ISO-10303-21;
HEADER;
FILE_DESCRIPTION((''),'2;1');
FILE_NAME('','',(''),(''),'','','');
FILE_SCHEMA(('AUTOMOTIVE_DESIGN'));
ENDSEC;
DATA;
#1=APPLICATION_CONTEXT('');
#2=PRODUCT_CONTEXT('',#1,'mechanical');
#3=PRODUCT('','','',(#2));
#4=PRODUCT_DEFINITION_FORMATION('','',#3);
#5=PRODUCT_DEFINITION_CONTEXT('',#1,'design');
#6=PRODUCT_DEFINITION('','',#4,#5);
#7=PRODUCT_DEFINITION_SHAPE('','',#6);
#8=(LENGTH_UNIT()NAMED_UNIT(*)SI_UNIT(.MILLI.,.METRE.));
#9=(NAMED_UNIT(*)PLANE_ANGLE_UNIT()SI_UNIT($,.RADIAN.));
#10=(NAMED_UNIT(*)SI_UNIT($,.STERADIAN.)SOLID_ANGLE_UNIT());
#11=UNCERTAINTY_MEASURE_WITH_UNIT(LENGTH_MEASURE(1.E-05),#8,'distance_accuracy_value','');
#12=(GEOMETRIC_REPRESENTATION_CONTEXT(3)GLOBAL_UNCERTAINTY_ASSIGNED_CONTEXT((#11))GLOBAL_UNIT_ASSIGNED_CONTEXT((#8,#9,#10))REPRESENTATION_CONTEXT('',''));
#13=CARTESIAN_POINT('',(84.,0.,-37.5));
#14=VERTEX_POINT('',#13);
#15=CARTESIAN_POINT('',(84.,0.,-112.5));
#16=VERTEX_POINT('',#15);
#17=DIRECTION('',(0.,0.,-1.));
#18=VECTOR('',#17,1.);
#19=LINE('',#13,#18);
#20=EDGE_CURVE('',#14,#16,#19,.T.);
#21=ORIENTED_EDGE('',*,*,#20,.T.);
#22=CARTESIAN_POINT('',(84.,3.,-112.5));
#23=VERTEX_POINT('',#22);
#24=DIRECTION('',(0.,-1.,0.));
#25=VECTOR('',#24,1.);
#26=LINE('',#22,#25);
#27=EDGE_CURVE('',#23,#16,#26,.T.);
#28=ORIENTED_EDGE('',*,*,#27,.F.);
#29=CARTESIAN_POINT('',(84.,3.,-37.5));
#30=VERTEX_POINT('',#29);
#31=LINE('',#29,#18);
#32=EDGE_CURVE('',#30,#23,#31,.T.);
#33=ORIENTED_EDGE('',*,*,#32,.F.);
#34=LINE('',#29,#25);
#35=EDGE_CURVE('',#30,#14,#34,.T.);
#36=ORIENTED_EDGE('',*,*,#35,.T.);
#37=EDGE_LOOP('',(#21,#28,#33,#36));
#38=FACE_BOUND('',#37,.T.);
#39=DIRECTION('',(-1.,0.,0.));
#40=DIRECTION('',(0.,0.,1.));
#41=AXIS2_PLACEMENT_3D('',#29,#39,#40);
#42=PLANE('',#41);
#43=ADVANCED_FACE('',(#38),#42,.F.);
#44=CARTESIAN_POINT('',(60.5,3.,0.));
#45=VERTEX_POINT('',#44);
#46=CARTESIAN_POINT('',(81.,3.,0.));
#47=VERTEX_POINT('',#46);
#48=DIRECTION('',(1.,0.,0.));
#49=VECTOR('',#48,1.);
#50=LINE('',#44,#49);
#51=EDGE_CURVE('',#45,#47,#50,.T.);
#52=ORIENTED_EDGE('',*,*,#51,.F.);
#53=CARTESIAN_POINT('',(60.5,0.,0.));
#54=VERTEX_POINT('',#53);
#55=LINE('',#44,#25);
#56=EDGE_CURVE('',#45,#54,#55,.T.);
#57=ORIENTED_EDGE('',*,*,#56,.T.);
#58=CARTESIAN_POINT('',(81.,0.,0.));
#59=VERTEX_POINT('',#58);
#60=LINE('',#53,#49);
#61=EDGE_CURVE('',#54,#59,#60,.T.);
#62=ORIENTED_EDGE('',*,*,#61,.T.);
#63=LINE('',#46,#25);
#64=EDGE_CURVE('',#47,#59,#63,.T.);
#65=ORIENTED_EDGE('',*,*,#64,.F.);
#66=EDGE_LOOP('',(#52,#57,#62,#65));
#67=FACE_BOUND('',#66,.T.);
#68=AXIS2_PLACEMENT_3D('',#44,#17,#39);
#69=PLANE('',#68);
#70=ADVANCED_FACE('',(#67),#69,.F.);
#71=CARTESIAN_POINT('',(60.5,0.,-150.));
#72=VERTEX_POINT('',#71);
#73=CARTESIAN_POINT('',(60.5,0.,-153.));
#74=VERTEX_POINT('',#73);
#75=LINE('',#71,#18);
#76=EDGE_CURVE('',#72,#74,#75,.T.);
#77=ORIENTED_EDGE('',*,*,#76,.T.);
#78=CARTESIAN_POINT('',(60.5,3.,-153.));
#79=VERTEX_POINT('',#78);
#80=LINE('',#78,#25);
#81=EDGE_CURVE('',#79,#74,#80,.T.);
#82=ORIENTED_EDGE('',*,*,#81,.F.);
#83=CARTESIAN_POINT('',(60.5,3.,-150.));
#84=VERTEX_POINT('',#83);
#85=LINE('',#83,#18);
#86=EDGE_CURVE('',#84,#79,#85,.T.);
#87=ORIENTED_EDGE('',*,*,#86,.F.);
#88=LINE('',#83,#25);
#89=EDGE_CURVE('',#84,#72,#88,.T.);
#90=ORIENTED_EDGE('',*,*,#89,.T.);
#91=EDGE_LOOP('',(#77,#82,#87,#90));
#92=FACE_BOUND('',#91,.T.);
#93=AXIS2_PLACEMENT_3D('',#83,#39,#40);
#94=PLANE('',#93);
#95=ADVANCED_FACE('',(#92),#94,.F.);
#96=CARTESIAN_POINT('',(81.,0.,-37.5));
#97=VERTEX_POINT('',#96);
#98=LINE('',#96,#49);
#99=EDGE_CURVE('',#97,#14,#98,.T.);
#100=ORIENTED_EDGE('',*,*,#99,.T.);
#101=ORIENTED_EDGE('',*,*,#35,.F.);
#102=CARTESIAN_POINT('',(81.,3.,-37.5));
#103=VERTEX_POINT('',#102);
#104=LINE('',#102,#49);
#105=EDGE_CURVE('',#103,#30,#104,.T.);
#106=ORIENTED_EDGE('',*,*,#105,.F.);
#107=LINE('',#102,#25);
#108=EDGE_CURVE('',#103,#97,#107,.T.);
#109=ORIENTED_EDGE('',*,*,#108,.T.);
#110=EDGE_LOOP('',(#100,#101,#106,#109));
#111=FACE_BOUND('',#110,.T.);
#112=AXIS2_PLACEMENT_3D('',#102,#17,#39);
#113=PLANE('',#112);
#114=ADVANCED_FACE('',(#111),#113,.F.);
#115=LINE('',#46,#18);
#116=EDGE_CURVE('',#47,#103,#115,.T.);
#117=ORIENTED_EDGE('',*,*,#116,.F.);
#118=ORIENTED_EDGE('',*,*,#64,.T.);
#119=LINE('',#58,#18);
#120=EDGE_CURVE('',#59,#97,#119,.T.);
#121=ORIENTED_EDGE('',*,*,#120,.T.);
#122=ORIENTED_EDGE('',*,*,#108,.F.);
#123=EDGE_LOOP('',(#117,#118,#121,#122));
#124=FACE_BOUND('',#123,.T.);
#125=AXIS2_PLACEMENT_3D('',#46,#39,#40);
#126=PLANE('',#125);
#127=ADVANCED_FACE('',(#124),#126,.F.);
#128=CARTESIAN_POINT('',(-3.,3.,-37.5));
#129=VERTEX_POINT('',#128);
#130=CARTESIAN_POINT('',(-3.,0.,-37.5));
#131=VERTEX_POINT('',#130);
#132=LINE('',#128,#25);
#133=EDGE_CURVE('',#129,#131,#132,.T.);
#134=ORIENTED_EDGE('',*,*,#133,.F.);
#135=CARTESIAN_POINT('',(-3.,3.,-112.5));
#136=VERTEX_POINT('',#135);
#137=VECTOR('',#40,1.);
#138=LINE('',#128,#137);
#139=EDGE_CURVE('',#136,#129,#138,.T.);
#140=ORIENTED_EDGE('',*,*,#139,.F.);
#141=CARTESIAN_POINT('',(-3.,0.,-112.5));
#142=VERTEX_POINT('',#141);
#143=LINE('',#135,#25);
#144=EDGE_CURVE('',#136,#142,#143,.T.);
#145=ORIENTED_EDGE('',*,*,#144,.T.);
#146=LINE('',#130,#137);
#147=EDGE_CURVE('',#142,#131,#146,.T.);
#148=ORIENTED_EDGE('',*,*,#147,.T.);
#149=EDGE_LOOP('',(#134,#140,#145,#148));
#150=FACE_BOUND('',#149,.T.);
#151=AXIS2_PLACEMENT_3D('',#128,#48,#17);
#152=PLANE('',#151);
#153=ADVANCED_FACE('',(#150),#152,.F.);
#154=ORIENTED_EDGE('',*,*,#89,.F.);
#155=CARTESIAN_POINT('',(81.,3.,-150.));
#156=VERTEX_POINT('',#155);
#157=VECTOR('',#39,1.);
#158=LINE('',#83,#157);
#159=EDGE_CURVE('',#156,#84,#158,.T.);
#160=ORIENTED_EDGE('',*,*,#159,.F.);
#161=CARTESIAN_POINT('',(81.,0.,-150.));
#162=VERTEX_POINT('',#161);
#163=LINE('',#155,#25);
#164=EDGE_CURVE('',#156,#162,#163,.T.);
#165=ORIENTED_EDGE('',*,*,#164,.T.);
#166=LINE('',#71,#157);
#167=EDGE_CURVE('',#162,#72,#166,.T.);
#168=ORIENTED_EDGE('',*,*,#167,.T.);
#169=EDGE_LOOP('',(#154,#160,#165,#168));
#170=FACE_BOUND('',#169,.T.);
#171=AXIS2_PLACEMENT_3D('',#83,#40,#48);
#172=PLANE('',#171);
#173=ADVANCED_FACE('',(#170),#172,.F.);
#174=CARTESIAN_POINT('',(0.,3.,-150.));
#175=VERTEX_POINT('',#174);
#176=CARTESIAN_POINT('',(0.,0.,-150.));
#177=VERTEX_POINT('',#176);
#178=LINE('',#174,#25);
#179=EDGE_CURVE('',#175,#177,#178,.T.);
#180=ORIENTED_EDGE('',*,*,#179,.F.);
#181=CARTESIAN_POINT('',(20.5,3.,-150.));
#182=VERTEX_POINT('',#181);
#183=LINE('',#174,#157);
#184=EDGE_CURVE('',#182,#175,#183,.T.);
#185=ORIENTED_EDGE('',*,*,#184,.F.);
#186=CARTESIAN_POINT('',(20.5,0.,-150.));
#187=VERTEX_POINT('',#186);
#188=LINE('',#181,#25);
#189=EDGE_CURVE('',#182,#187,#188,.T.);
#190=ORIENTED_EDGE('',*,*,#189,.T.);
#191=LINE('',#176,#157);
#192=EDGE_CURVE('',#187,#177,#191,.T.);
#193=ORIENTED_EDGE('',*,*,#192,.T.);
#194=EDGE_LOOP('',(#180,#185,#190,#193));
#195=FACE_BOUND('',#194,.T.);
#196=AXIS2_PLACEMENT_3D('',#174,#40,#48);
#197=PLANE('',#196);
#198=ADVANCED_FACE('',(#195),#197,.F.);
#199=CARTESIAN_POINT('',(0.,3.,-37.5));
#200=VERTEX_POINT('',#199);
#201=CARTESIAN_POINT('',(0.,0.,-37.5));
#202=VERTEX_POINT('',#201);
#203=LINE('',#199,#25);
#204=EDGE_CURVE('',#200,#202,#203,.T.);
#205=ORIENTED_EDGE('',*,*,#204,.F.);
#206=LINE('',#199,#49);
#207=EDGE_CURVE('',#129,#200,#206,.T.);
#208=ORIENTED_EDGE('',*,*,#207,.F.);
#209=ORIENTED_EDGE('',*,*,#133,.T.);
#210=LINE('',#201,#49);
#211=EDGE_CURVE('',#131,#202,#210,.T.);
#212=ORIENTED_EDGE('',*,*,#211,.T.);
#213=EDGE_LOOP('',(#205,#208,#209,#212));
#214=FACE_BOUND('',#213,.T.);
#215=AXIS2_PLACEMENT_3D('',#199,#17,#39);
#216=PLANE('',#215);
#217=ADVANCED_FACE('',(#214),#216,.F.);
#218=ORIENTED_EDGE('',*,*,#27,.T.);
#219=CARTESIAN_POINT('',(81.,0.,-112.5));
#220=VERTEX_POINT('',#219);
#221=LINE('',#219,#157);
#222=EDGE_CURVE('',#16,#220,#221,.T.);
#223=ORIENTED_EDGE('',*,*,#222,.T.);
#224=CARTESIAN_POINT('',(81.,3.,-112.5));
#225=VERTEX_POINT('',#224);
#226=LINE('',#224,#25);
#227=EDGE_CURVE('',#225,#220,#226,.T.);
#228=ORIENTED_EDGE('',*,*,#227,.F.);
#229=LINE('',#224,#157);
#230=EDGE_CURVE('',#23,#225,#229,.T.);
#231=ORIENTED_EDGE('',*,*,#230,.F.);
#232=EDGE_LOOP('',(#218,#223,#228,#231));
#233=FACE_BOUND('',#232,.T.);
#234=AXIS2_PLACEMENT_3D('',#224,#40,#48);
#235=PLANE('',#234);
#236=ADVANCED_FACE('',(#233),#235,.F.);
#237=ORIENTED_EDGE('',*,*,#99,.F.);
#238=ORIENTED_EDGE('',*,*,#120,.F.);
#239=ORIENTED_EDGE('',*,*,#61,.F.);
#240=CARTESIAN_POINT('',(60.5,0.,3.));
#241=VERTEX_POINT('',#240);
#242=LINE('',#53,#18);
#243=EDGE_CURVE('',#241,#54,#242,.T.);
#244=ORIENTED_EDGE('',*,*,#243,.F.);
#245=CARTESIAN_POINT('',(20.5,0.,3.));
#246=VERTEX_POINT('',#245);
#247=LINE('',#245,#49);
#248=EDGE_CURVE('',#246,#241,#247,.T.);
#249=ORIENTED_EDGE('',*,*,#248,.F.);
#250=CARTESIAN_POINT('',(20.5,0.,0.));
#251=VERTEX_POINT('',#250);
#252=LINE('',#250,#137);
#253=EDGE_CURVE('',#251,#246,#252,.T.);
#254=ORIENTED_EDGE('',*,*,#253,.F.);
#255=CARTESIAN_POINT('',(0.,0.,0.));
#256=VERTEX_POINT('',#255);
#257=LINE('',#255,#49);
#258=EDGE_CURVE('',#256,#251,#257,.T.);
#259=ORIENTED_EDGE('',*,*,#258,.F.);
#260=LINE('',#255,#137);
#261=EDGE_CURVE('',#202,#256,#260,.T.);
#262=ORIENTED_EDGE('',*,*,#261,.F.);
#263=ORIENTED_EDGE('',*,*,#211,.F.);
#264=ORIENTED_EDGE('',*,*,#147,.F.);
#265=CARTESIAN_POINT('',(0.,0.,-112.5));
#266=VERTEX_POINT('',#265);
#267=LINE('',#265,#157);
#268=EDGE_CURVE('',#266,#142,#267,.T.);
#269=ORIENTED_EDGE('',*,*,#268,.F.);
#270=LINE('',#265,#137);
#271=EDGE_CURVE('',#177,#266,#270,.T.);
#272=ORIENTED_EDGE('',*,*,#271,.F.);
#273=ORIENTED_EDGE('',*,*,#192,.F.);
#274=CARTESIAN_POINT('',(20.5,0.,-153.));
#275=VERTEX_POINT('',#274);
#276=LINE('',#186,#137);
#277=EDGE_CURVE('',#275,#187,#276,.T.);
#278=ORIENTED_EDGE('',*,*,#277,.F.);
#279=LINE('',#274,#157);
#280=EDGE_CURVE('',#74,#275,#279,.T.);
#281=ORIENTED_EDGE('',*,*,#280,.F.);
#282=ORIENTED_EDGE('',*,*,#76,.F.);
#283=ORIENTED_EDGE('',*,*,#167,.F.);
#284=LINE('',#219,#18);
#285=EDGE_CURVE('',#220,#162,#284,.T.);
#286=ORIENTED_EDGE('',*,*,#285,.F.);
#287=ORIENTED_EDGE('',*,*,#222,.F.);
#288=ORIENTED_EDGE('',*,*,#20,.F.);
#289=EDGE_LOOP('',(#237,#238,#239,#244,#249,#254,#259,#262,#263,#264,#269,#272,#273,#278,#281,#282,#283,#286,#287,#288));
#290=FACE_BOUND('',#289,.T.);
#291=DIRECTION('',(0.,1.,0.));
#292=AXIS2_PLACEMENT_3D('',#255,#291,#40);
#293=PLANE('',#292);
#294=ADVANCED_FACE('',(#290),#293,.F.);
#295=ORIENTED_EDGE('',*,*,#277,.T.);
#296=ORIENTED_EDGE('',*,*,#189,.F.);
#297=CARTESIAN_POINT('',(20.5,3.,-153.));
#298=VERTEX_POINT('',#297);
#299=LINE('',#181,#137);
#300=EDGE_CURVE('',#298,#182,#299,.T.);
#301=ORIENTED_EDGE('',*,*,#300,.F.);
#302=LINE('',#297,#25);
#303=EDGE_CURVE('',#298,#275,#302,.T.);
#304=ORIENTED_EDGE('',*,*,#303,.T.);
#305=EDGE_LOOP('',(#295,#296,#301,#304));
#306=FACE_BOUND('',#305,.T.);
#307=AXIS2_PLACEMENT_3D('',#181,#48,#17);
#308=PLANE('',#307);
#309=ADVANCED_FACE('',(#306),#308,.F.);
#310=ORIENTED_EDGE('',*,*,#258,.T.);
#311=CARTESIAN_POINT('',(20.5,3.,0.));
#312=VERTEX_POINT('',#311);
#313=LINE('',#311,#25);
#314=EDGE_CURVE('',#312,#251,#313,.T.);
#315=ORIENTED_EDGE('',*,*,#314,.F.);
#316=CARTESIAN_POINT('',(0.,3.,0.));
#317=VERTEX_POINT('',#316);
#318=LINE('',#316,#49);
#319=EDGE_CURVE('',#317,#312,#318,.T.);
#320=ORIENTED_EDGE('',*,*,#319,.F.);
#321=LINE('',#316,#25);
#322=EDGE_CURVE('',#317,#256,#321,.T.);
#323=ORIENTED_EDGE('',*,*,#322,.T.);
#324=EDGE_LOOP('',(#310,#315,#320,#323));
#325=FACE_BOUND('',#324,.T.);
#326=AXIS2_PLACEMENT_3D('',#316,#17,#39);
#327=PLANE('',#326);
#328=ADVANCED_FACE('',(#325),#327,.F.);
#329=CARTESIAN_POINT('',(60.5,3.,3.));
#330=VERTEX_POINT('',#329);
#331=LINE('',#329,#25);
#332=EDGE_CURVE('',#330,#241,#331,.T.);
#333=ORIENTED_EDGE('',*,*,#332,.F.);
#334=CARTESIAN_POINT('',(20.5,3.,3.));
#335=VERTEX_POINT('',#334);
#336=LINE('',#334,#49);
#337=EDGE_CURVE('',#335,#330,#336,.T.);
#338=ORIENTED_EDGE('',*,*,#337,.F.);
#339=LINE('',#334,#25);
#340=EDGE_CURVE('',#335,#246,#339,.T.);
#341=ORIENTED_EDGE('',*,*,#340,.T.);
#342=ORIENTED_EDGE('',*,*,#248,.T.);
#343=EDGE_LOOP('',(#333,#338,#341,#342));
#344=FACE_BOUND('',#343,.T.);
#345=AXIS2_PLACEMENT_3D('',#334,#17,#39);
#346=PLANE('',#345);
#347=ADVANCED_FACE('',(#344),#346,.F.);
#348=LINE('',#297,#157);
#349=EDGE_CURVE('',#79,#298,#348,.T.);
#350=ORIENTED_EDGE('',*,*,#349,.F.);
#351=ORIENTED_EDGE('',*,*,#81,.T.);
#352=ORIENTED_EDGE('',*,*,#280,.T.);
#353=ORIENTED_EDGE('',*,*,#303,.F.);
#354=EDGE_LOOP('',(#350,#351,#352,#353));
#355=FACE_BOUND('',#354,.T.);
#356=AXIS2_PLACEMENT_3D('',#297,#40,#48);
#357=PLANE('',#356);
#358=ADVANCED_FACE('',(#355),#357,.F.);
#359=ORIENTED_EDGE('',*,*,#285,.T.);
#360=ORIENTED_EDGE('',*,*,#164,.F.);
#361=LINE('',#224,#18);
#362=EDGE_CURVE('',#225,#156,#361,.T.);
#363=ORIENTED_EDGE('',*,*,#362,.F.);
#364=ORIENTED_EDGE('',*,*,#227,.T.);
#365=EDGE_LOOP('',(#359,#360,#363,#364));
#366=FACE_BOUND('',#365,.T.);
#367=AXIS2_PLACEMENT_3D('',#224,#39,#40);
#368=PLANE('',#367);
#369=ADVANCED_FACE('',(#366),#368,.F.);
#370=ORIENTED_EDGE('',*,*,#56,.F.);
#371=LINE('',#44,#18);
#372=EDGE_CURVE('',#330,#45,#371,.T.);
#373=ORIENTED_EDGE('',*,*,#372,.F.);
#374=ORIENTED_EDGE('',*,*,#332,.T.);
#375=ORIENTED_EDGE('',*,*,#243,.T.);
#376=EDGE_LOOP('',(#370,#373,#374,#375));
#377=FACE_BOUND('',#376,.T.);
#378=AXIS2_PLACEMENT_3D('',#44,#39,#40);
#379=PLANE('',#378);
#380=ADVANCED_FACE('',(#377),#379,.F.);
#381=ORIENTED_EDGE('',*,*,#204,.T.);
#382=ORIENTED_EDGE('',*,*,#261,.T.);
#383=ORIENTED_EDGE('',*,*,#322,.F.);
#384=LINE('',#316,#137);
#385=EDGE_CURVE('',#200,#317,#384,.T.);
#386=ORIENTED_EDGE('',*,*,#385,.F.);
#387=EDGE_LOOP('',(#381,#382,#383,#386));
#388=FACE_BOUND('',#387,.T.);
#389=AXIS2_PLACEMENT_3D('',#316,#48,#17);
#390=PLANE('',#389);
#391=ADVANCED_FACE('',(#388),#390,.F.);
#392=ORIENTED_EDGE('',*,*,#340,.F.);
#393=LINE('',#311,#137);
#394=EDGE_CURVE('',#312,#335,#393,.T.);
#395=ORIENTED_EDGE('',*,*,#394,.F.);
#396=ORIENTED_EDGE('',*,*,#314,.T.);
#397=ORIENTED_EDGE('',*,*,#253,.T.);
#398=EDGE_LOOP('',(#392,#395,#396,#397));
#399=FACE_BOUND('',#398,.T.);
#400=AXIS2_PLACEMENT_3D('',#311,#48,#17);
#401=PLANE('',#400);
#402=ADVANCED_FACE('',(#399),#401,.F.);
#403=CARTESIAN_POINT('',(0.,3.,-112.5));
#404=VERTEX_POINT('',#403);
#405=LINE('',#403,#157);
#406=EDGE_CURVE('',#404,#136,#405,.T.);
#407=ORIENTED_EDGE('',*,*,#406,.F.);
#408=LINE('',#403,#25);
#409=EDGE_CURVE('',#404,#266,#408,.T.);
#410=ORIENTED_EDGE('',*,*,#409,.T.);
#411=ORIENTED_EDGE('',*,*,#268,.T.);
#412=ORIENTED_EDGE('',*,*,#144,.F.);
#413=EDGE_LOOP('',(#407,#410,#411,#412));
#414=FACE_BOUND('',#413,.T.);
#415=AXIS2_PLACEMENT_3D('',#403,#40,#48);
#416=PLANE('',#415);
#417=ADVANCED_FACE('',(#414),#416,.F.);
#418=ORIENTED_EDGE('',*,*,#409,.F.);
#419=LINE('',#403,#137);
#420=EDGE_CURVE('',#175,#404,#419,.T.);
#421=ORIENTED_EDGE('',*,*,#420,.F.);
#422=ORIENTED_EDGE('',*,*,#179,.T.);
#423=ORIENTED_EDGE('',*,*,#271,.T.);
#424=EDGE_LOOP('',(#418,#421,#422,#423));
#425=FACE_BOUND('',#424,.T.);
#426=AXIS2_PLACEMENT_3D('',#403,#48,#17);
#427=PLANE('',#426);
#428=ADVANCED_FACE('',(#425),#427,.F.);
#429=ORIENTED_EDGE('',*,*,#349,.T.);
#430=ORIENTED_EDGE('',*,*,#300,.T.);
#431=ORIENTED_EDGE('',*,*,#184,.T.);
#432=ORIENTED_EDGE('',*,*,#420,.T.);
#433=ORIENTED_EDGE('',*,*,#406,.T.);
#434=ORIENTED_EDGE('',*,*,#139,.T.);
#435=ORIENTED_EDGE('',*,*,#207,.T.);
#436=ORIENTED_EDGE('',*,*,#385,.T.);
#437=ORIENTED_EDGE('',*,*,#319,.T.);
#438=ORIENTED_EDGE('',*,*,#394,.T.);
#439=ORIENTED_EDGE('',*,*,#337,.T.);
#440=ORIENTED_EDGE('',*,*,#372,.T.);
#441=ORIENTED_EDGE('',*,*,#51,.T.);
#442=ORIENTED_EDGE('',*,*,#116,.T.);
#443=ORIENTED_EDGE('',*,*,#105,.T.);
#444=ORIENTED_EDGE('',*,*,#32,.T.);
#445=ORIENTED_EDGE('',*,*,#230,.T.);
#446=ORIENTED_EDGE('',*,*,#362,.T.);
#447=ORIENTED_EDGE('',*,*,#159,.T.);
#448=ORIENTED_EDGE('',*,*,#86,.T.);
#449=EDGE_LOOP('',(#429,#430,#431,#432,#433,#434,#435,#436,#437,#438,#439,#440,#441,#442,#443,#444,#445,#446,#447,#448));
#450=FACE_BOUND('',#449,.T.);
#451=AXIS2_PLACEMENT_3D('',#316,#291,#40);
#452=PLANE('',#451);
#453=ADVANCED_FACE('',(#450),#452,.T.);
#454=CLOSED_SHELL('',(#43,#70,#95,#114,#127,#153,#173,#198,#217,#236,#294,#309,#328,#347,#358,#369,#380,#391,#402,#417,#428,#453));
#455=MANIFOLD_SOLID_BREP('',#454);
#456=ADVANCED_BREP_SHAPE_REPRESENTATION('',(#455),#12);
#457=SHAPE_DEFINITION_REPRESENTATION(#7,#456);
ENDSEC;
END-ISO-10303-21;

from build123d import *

# Parameters (mm, degrees)
SALIENTE_EXTRUIR1_DEPTH = 3


with BuildPart() as part:
    # Croquis1 → Saliente-Extruir1 (new body)
    with BuildSketch(Plane(origin=(0, 0, 0), x_dir=(1, 0, 0), z_dir=(0, 1, 0))):
        Polygon((0, 112.5), (0, 150), (20.5, 150), (20.5, 153), (60.5, 153), (60.5, 150), (81, 150), (81, 112.5), (84, 112.5), (84, 37.5), (81, 37.5), (81, 0), (60.5, 0), (60.5, -3), (20.5, -3), (20.5, 0), (0, 0), (0, 37.5), (-3, 37.5), (-3, 112.5), align=None)
    extrude(amount=SALIENTE_EXTRUIR1_DEPTH)


solid = part.part
